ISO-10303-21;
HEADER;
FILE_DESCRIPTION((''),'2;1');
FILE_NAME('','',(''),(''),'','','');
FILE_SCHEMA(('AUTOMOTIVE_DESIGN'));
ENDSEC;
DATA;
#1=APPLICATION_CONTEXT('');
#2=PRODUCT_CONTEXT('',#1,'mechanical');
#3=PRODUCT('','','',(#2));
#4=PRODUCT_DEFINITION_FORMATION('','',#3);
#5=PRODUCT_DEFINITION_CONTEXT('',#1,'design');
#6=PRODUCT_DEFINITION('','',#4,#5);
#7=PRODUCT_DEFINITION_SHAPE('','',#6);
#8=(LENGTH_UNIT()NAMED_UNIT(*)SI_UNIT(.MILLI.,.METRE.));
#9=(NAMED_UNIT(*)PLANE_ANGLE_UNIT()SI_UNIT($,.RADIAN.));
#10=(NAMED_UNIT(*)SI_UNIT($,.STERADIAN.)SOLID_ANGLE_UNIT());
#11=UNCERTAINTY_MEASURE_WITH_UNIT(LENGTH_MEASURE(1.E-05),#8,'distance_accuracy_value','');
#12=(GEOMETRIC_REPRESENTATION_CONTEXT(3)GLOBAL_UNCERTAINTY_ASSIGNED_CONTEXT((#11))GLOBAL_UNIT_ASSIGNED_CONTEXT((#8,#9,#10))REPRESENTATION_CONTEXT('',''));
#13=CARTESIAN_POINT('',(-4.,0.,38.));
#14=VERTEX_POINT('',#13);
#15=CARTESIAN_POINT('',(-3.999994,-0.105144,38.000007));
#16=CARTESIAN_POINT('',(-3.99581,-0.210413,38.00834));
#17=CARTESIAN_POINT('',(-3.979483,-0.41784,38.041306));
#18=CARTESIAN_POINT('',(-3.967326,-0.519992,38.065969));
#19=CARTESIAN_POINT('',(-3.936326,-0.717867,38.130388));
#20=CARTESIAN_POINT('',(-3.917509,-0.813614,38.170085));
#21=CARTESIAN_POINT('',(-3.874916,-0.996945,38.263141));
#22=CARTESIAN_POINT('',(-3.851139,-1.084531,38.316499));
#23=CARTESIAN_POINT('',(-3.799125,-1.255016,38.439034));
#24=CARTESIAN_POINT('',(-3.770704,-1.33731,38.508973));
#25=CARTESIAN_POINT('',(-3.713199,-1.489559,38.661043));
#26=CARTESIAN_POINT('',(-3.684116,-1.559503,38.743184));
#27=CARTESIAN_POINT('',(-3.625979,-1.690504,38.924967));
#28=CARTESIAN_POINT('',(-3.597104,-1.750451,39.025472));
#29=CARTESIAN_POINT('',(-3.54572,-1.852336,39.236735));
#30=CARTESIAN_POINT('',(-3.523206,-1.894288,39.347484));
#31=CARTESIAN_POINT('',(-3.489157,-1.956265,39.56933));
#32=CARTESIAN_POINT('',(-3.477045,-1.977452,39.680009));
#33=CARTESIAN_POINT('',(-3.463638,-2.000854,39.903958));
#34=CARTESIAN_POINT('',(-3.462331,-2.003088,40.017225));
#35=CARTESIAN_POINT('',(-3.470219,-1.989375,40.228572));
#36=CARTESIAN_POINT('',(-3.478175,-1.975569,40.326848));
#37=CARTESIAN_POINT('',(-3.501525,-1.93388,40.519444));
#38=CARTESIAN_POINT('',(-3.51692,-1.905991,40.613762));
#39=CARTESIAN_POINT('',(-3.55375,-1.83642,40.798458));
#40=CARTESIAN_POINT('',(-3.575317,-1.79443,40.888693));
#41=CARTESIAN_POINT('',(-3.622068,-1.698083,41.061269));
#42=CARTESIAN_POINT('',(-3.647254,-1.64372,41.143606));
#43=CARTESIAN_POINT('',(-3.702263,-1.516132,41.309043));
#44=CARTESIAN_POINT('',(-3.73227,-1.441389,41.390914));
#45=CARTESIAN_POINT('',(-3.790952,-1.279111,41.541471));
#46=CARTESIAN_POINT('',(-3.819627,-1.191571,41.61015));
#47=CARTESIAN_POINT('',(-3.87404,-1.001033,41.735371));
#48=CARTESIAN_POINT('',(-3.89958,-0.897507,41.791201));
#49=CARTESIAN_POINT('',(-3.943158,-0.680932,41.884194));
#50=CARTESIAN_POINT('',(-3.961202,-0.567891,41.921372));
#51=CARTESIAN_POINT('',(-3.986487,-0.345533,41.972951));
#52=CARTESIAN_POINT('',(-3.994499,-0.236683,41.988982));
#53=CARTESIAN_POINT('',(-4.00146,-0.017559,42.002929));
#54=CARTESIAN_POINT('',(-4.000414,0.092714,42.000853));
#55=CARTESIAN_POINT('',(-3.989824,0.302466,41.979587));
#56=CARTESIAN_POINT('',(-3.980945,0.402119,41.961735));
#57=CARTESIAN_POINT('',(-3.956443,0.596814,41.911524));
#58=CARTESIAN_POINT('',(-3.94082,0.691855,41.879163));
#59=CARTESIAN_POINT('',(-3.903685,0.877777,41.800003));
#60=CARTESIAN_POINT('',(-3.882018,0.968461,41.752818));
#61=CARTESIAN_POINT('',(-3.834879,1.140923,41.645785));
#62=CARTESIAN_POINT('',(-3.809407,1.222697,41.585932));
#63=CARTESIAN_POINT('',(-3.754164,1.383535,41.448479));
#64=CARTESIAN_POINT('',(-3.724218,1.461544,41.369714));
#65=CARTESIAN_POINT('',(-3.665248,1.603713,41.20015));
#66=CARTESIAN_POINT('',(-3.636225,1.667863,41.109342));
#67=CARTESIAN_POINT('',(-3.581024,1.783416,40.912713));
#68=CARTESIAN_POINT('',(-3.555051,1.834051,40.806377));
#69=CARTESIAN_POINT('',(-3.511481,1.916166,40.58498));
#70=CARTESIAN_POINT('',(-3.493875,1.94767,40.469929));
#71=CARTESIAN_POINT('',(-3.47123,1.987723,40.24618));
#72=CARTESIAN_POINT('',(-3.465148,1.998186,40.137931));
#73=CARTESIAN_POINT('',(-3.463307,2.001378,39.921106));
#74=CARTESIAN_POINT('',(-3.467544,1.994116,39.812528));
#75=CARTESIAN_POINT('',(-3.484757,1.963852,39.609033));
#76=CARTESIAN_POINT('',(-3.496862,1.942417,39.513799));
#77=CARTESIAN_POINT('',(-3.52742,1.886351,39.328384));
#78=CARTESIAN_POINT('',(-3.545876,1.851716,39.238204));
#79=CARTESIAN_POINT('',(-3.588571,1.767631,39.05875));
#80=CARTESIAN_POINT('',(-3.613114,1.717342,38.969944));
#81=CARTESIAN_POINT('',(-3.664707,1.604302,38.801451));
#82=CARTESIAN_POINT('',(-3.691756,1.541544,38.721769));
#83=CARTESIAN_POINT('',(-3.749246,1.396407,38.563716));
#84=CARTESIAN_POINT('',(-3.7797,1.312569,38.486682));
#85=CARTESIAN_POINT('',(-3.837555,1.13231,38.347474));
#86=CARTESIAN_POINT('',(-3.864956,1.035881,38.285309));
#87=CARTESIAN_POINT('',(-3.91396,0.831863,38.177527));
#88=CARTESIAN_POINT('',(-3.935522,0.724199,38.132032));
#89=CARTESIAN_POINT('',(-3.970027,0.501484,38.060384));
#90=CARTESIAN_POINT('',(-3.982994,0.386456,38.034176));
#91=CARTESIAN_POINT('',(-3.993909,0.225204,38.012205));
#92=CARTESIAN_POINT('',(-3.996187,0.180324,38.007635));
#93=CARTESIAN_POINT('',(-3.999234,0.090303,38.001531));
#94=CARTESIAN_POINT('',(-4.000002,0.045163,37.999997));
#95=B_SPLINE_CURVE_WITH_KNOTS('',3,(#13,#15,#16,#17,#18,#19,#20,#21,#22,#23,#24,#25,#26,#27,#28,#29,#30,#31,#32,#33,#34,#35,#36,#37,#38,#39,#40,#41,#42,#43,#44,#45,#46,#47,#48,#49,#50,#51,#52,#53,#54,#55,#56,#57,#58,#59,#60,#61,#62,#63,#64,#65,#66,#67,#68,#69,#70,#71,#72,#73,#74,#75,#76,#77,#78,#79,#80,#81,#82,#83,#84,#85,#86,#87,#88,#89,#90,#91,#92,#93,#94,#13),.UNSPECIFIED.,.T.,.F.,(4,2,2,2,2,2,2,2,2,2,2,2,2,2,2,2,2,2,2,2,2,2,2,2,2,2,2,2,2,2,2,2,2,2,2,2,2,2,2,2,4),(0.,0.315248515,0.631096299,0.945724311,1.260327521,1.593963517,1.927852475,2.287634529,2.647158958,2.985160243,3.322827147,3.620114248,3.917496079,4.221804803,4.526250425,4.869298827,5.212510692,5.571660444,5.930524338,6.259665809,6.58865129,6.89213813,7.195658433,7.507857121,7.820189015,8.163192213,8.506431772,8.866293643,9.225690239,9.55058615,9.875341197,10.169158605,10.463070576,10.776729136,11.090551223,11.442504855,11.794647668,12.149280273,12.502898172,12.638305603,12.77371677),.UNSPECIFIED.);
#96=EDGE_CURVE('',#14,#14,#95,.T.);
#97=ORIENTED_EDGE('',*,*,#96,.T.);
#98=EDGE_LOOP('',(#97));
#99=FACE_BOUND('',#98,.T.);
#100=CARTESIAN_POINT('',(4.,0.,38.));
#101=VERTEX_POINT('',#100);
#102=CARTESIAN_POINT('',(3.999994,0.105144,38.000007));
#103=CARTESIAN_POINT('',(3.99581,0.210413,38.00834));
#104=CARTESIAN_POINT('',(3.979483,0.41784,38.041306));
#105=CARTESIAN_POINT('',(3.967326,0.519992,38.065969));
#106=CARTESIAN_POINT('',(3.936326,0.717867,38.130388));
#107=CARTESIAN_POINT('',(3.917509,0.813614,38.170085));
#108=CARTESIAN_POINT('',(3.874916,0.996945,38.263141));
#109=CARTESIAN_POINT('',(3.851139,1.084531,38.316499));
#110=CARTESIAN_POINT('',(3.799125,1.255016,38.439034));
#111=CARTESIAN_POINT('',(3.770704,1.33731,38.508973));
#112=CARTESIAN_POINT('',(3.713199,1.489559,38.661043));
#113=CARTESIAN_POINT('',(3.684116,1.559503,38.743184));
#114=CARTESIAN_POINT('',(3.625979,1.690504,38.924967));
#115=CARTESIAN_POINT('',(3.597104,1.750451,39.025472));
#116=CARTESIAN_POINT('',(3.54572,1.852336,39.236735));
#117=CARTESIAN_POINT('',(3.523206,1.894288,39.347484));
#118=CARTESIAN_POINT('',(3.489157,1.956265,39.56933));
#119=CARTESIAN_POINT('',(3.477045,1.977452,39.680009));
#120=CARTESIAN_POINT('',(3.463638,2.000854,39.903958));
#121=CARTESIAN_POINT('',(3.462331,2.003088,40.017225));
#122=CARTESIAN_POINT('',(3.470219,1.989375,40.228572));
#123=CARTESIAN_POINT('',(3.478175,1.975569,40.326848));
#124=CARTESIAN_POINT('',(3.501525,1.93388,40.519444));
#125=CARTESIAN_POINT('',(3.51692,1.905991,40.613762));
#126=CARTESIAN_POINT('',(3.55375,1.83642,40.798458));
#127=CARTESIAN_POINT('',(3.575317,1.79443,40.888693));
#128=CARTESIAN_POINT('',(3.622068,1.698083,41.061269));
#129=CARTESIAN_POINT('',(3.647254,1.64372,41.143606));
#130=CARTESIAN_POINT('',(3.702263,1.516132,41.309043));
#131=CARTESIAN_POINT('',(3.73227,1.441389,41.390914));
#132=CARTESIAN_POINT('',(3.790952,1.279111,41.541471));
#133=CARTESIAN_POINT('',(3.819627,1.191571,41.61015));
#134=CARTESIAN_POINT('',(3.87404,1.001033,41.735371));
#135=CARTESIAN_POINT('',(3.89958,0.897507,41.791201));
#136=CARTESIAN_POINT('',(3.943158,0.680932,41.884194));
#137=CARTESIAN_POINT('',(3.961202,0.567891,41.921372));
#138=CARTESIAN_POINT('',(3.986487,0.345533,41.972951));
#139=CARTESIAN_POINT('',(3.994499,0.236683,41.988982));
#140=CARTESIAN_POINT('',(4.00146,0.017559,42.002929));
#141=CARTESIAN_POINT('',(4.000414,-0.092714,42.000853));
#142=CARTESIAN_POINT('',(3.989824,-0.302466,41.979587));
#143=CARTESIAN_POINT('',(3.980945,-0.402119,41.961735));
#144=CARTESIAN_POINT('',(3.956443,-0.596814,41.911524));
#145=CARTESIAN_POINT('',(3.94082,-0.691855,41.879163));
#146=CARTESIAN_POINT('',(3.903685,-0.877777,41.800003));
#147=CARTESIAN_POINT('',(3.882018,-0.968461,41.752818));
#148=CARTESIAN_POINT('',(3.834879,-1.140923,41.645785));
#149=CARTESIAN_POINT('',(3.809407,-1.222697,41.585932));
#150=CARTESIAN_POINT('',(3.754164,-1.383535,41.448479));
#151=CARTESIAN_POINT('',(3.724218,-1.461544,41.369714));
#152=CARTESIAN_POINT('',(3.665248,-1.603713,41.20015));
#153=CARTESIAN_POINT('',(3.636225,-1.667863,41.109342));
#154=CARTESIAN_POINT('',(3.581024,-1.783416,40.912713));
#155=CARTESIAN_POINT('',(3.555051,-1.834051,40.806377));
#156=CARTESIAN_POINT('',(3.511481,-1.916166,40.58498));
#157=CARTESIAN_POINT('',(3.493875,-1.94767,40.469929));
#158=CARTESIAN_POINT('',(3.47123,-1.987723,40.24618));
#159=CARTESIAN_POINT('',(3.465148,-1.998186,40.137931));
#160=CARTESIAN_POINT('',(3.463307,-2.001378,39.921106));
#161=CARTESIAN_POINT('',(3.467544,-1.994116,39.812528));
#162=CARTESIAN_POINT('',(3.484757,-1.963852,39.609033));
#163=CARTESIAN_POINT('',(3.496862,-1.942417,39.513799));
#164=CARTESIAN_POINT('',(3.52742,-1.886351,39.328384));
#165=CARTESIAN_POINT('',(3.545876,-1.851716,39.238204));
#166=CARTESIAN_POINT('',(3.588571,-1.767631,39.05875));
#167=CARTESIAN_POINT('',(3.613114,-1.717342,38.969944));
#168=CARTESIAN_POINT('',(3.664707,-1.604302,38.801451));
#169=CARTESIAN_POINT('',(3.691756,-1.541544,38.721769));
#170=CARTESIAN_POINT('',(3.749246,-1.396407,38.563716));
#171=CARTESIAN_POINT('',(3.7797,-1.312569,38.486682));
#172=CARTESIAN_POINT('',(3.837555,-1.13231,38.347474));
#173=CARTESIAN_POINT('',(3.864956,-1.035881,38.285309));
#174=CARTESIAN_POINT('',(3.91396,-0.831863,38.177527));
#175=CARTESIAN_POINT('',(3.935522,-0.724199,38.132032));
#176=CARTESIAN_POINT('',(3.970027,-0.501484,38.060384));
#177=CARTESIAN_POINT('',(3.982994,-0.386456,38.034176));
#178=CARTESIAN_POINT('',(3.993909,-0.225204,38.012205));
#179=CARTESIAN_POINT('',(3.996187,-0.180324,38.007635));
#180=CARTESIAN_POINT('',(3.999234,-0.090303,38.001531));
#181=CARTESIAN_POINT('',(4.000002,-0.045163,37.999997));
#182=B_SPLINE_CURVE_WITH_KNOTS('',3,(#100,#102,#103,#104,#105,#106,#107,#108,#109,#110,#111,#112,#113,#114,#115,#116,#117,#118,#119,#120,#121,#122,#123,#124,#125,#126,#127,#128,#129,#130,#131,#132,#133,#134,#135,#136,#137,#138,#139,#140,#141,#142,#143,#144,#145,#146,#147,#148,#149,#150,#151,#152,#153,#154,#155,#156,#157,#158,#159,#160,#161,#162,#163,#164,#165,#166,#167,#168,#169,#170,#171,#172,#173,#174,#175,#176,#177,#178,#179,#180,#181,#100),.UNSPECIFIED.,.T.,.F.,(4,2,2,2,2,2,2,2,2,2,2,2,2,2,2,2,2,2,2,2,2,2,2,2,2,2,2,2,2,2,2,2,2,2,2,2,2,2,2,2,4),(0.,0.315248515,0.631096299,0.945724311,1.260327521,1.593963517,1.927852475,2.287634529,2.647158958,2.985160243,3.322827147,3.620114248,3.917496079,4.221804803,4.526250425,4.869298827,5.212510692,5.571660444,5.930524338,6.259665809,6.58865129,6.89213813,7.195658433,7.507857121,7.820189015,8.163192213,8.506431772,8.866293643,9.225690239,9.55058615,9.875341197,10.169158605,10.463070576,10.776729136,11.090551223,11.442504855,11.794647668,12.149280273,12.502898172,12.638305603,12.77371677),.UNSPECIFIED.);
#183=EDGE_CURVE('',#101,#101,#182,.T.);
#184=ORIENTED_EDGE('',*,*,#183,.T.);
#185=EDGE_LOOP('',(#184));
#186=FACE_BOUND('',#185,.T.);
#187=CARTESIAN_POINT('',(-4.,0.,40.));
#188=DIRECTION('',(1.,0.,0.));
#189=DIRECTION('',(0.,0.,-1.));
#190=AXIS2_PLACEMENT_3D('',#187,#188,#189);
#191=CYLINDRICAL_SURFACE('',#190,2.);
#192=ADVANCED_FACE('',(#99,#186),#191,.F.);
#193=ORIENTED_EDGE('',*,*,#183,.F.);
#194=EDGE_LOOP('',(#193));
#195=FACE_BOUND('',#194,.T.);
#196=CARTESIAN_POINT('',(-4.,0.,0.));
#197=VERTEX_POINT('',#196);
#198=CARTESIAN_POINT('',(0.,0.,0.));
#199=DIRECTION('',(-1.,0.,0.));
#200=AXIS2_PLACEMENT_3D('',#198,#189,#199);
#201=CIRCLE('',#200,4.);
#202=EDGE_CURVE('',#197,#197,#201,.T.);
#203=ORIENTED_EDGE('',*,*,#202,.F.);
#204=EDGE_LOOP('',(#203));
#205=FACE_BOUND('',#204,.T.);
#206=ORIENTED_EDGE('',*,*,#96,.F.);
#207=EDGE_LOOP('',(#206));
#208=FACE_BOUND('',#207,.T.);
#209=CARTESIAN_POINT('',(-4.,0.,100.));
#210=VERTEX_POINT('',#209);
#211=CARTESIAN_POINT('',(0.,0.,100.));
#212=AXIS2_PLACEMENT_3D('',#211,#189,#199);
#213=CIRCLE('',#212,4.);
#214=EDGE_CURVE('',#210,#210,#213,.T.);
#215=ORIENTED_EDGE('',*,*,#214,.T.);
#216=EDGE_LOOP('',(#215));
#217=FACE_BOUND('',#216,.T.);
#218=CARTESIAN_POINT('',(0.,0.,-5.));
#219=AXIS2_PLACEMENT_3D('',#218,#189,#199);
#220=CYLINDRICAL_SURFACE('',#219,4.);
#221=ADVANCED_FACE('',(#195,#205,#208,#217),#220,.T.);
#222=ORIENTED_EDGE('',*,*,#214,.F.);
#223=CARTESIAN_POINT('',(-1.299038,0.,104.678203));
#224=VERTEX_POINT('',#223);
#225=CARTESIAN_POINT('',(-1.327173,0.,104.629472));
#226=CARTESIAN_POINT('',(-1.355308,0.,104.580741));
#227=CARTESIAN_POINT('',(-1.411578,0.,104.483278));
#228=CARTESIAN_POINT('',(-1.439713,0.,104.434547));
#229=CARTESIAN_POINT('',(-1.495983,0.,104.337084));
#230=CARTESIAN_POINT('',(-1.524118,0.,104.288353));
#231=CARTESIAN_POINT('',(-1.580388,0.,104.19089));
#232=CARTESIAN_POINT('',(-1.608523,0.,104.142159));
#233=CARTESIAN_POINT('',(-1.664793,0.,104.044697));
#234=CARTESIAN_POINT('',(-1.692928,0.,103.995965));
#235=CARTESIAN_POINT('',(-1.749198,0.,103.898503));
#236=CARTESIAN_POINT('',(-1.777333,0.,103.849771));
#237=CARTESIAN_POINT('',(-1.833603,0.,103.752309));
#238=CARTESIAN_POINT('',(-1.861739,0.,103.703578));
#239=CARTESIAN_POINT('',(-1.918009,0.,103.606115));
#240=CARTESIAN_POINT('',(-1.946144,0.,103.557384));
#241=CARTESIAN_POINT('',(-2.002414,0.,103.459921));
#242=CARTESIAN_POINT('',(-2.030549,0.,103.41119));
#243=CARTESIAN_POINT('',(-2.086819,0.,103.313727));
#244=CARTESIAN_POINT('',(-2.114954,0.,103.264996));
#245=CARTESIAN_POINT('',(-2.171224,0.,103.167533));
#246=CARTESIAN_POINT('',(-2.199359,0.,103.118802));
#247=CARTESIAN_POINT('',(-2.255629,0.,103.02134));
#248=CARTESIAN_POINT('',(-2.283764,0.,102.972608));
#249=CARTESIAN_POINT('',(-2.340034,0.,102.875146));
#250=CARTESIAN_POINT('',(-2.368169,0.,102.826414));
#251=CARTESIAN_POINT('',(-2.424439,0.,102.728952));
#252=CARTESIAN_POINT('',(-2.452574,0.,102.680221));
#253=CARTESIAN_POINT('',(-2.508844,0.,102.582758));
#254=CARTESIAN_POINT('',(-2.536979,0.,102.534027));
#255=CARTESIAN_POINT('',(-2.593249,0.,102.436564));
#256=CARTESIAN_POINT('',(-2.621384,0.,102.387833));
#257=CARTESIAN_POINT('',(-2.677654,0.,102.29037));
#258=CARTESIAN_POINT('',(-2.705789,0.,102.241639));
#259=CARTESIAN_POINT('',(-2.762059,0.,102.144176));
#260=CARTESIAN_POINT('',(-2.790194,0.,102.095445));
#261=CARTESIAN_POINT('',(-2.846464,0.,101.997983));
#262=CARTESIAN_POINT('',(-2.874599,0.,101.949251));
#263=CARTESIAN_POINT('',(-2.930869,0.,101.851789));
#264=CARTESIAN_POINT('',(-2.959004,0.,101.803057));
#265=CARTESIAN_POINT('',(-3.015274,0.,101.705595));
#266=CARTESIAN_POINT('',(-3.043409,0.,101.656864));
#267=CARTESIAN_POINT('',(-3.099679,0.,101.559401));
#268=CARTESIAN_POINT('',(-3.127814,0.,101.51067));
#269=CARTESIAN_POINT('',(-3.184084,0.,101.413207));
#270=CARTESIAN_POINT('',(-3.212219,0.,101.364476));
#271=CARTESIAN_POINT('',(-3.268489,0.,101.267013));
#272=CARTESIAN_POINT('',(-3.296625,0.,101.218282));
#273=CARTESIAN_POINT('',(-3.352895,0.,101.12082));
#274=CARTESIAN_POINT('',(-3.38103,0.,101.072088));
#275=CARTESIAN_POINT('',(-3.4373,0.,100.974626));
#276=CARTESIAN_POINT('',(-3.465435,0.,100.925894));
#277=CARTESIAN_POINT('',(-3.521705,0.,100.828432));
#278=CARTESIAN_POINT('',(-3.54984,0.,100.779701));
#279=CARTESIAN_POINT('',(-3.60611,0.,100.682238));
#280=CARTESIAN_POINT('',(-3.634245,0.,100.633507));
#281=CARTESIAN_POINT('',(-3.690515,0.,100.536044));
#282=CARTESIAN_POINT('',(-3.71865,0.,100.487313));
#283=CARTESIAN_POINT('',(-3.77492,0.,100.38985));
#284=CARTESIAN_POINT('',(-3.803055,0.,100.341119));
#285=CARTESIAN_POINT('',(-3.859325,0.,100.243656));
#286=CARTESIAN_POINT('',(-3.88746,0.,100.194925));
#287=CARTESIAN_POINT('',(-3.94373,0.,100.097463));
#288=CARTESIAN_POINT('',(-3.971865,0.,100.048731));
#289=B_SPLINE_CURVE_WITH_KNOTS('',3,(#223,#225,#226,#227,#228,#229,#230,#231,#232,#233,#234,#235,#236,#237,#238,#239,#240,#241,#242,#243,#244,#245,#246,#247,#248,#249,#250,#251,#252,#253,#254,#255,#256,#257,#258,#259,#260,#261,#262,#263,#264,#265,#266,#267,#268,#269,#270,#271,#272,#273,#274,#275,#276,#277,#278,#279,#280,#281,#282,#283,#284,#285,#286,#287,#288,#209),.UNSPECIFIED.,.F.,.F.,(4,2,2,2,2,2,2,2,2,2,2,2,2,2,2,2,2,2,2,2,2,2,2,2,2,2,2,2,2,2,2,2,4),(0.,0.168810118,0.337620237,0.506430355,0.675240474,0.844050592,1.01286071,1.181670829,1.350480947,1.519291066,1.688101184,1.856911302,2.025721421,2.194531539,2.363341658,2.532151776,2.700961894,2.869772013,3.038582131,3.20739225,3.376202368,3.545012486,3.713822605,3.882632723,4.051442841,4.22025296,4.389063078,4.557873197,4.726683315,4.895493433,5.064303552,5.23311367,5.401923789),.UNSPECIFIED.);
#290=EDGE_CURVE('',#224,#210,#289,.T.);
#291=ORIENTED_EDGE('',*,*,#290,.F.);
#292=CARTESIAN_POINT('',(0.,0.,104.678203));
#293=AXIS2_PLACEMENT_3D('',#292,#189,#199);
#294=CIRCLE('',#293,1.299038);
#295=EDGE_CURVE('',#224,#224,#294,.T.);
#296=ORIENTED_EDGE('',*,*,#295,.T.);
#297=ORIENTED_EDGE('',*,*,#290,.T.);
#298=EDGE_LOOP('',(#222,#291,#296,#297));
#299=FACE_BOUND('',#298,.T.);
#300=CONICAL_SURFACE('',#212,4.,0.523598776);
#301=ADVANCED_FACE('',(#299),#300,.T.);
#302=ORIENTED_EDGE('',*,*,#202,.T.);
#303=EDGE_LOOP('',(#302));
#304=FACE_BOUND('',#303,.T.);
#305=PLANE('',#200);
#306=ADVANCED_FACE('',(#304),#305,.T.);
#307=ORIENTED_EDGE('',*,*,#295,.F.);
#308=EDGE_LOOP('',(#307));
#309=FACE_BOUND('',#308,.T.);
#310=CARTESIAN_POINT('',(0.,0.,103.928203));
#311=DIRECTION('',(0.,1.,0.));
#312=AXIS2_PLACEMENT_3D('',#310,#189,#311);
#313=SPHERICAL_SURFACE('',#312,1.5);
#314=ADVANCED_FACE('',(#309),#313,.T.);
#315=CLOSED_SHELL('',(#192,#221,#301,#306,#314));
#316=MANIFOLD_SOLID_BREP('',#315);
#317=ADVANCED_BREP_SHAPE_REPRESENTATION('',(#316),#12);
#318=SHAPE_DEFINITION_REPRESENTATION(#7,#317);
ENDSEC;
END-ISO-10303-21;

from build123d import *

# Parameters (mm, degrees)
CUT_EXTRUDE1_DEPTH      = 106.579856205
CUT_EXTRUDE1_DEPTH_BACK = 106.579856205
SKETCH5_R               = 2


with BuildPart() as part:
    # Sketch4 → Revolve2 (revolve)
    with BuildSketch(Plane(origin=(0, 0, 0), x_dir=(0, 0, -1), z_dir=(1, 0, 0)), mode=Mode.PRIVATE) as revolve2_sk:
        with BuildLine():
            Line((0, 0), (0, 4))
            Line((0, 4), (-100, 4))
            Line((-100, 4), (-104.67820323, 1.299038106))
            ThreePointArc((-104.67820323, 1.299038106), (-105.227241336, 0.75), (-105.42820323, 0))
            Line((-105.42820323, 0), (0, 0))
        make_face()
    revolve(revolve2_sk.sketch.rotate(Axis((0, 0, -5), (0, 0, 1)), 90), axis=Axis((0, 0, -5), (0, 0, 1)))

    # Sketch5 → Cut-Extrude1 (cut, two sides: drawn at the far end of the back side and taken through both)
    with BuildSketch(Plane(origin=(0, 0, 0), x_dir=(0, 0, -1), z_dir=(1, 0, 0)).offset(-CUT_EXTRUDE1_DEPTH_BACK)):
        with Locations((-40, 0)):
            Circle(SKETCH5_R)
    extrude(amount=CUT_EXTRUDE1_DEPTH + CUT_EXTRUDE1_DEPTH_BACK, mode=Mode.SUBTRACT)


solid = part.part
